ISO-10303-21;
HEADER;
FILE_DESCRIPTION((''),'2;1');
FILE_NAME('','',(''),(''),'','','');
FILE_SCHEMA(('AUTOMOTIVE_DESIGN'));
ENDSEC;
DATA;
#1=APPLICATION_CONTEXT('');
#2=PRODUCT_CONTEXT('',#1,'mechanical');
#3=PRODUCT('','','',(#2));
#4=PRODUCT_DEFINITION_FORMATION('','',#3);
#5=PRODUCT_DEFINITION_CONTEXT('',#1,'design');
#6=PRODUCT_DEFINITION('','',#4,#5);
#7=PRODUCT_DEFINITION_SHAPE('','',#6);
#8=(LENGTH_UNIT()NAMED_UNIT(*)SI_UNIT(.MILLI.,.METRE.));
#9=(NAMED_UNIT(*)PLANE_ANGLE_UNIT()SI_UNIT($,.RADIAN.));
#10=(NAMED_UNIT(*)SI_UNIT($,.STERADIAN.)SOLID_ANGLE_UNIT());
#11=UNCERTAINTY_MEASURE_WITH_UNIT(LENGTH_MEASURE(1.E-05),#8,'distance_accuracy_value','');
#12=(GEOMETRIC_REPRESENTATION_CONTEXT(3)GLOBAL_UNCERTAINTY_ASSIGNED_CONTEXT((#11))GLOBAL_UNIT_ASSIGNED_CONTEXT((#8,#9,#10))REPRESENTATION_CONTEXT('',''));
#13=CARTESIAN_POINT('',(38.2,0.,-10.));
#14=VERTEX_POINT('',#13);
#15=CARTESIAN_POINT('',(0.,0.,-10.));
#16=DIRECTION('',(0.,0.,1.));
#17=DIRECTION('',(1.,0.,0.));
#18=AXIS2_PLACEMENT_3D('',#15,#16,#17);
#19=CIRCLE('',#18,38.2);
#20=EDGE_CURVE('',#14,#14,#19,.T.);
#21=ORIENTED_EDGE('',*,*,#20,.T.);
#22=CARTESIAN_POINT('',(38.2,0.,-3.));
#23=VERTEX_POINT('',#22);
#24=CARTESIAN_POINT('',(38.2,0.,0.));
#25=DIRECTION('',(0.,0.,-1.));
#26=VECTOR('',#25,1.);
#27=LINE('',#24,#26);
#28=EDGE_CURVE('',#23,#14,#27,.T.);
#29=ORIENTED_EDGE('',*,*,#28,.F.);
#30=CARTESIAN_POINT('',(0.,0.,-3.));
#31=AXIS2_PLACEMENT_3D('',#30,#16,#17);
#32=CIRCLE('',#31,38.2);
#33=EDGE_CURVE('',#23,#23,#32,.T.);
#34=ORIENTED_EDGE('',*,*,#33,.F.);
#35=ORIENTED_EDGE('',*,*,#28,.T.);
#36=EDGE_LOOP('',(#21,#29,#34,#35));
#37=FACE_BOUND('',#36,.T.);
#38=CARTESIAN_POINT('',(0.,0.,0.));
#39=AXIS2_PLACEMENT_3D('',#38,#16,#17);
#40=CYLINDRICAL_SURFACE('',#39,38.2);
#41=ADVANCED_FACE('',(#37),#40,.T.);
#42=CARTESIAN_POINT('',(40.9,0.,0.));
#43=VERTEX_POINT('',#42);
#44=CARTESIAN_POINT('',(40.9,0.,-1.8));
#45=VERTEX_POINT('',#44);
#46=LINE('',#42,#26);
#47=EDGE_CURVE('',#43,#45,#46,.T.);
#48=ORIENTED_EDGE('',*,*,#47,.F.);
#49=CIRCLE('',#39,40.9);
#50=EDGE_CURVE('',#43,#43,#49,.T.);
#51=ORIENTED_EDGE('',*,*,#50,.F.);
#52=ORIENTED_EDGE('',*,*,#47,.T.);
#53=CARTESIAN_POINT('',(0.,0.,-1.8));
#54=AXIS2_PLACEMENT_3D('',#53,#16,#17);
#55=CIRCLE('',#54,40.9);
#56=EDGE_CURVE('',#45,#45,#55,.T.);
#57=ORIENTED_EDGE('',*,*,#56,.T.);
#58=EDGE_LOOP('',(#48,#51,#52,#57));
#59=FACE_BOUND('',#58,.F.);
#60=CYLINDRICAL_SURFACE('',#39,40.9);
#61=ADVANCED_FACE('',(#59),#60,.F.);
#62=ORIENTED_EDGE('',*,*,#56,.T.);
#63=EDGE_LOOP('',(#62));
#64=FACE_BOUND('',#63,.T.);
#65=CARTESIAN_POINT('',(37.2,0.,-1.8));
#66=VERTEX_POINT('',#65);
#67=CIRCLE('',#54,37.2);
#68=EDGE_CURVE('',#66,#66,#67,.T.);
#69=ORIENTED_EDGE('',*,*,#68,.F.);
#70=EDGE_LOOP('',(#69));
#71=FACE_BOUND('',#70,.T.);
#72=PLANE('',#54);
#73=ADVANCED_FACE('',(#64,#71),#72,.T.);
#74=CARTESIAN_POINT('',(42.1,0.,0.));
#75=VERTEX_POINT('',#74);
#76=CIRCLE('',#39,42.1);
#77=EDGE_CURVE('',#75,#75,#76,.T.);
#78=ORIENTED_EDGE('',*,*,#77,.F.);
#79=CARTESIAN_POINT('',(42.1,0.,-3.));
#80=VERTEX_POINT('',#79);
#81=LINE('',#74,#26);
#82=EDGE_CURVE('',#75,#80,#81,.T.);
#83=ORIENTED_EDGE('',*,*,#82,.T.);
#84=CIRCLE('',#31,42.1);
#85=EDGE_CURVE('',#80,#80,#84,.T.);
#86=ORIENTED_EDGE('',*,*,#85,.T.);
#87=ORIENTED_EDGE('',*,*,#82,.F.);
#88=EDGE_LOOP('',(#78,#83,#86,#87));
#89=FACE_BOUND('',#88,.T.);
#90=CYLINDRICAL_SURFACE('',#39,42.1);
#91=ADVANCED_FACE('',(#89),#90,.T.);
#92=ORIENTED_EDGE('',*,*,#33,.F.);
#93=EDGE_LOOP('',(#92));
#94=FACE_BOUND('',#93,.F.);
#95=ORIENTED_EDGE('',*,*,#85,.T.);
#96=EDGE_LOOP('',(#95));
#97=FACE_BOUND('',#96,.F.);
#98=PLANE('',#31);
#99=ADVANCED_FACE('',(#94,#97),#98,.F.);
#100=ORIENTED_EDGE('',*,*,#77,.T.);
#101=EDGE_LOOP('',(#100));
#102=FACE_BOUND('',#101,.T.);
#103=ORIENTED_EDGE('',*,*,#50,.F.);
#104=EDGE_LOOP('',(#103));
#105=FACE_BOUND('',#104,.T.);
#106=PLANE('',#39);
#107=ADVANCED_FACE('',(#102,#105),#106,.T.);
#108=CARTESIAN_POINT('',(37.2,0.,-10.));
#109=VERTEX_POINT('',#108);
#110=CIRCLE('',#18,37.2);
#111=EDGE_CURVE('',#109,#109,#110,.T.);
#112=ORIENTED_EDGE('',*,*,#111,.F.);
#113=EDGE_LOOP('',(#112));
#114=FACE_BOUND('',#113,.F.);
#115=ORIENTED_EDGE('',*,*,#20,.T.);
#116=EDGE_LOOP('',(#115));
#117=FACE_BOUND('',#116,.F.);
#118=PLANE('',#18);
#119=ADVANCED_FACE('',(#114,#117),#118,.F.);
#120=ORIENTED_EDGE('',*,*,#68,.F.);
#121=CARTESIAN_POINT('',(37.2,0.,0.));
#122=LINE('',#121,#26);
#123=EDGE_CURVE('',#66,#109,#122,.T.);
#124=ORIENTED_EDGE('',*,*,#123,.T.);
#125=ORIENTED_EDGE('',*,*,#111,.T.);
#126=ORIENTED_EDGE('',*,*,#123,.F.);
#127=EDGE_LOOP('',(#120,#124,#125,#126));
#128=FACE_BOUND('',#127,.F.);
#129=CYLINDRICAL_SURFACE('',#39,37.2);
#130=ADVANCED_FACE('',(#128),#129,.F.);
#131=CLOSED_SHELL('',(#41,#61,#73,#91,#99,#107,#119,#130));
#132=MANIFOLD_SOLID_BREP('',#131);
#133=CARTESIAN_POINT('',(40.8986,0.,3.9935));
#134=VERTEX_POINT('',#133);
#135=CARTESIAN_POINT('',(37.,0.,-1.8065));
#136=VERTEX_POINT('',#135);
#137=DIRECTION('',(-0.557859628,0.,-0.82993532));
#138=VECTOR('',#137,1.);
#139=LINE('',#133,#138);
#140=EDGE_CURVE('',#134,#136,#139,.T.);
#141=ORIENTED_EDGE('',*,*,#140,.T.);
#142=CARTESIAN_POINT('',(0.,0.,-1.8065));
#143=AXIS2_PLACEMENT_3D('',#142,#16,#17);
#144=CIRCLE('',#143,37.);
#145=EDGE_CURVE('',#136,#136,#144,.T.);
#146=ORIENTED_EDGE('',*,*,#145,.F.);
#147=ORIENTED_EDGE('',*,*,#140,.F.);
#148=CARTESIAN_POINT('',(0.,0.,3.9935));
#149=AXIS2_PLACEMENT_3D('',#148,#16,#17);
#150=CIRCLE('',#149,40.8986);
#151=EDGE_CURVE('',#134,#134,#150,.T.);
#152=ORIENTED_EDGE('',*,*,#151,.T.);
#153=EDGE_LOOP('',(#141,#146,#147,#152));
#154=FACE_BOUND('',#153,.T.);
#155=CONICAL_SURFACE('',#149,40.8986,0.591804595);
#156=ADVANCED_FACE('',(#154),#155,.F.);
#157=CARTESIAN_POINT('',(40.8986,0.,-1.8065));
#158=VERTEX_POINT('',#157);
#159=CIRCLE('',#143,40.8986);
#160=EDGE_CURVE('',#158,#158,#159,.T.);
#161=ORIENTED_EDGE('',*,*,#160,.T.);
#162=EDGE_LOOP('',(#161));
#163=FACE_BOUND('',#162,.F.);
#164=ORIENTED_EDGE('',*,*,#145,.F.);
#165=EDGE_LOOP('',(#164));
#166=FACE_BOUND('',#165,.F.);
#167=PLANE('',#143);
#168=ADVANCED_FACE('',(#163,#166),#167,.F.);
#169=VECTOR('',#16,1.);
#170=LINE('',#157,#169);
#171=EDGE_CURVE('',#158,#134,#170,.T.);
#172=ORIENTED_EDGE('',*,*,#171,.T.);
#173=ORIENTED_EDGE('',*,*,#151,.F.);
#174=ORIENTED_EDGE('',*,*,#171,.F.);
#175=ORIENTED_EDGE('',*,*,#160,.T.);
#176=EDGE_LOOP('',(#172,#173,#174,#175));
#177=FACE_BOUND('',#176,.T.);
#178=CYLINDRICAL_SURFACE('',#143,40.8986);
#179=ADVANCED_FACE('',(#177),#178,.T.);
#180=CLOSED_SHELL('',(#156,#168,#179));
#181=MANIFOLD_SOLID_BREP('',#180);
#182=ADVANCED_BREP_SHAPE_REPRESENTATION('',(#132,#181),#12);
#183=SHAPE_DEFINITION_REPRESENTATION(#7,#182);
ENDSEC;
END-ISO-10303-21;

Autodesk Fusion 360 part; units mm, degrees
sketch "Skizze14" plane through (0, 0, 0) normal (0, 0, 1) x (1, 0, 0)
  circle A0 centre (0, 0) radius 38.2
  circle A1 centre (0, 0) radius 37.2
  dimension "d43" = 76.4
  dimension "d44" = -1
extrude "Extrusion11" add sketch "Skizze14" against normal blind 10 makes body 1
sketch "Skizze15" plane through (0, 0, 0) normal (0, 1, 0) x (1, 0, 0)
sketch "Skizze16" plane through (0, 0, 0) normal (0, 0, 1) x (1, 0, 0)
  circle A0 centre (0, 0) radius 42.1
  circle A1 centre (0, 0) radius 38.2
  dimension "d47" = 84.2
  dimension "d48" = -3.9
extrude "Extrusion12" add sketch "Skizze16" against normal blind 3 bodies 1
sketch "Skizze1" plane through (0, 0, 0) normal (0, 0, 1) x (1, 0, 0)
  circle A0 centre (0, 0) radius 42.1
  circle A1 centre (0, 0) radius 40.9
  dimension "d1" = 84.2
  dimension "d2" = -1.2
sketch "Skizze17" plane through (0, 0, 0) normal (0, 1, 0) x (1, 0, 0)
sketch "Skizze18" plane through (0, 0, 0) normal (0, 0, 1) x (1, 0, 0)
  circle A0 centre (0, 0) radius 40.9
  dimension "d53" = 81.8
extrude "Extrusion13" cut sketch "Skizze18" against normal blind 1.8 bodies 1
sketch "Skizze19" plane through (0, 0, 0) normal (0, 0, 1) x (1, 0, 0)
ref_plane "Arbeitsebene2" through (0, 0, -1.8) normal (0, 0, 1) x (1, 0, 0)
sketch "Skizze20" plane through (0, 0, -1.8) normal (0, 0, 1) x (1, 0, 0)
sketch "Skizze21" plane through (0, 0, 0) normal (0, 1, 0) x (1, 0, 0)
ref_plane "Arbeitsebene4" through (0, 0, -1.8) normal (0, 0, 1) x (1, 0, 0)
sketch "Skizze26" plane through (0, 0, -1.8) normal (0, 0, 1) x (1, 0, 0)
sketch "Skizze27" plane through (0, 0, 0) normal (0, 1, 0) x (1, 0, 0)
sketch "Skizze28" plane through (0, 0, 0) normal (0, 1, 0) x (1, 0, 0)
sketch "Skizze29" plane through (0, 0, 0) normal (0, 1, 0) x (1, 0, 0)
  line L0 (42, 0) -> (41.7559, 0)
  line L1 (40.8986, 1.8065) -> (40.8986, -3.9935)
  line L2 (40.8986, 1.8065) -> (37, 1.8065)
  line L3 (40.8986, -3.9935) -> (37, 1.8065)
  dimension "d67" = 5.8
revolve "Drehen3" add sketch "Skizze29" angle 360 about axis through (0, 0, 1.75) along (0, 0, 1) separate body makes body 2
sketch "Skizze30" plane through (0, 0, 0) normal (0, 0, 1) x (1, 0, 0)
sketch "Skizze22" plane through (0, 0, 0) normal (0, 1, 0) x (1, 0, 0)
sketch "Skizze23" plane through (0, 0, -1.8) normal (0, 0, 1) x (1, 0, 0)
ref_plane "Arbeitsebene3" through (0, -1.8, 0) normal (0, 1, 0) x (0, 0, 1)
equation "d44 = 1 mm - 2 mm"
